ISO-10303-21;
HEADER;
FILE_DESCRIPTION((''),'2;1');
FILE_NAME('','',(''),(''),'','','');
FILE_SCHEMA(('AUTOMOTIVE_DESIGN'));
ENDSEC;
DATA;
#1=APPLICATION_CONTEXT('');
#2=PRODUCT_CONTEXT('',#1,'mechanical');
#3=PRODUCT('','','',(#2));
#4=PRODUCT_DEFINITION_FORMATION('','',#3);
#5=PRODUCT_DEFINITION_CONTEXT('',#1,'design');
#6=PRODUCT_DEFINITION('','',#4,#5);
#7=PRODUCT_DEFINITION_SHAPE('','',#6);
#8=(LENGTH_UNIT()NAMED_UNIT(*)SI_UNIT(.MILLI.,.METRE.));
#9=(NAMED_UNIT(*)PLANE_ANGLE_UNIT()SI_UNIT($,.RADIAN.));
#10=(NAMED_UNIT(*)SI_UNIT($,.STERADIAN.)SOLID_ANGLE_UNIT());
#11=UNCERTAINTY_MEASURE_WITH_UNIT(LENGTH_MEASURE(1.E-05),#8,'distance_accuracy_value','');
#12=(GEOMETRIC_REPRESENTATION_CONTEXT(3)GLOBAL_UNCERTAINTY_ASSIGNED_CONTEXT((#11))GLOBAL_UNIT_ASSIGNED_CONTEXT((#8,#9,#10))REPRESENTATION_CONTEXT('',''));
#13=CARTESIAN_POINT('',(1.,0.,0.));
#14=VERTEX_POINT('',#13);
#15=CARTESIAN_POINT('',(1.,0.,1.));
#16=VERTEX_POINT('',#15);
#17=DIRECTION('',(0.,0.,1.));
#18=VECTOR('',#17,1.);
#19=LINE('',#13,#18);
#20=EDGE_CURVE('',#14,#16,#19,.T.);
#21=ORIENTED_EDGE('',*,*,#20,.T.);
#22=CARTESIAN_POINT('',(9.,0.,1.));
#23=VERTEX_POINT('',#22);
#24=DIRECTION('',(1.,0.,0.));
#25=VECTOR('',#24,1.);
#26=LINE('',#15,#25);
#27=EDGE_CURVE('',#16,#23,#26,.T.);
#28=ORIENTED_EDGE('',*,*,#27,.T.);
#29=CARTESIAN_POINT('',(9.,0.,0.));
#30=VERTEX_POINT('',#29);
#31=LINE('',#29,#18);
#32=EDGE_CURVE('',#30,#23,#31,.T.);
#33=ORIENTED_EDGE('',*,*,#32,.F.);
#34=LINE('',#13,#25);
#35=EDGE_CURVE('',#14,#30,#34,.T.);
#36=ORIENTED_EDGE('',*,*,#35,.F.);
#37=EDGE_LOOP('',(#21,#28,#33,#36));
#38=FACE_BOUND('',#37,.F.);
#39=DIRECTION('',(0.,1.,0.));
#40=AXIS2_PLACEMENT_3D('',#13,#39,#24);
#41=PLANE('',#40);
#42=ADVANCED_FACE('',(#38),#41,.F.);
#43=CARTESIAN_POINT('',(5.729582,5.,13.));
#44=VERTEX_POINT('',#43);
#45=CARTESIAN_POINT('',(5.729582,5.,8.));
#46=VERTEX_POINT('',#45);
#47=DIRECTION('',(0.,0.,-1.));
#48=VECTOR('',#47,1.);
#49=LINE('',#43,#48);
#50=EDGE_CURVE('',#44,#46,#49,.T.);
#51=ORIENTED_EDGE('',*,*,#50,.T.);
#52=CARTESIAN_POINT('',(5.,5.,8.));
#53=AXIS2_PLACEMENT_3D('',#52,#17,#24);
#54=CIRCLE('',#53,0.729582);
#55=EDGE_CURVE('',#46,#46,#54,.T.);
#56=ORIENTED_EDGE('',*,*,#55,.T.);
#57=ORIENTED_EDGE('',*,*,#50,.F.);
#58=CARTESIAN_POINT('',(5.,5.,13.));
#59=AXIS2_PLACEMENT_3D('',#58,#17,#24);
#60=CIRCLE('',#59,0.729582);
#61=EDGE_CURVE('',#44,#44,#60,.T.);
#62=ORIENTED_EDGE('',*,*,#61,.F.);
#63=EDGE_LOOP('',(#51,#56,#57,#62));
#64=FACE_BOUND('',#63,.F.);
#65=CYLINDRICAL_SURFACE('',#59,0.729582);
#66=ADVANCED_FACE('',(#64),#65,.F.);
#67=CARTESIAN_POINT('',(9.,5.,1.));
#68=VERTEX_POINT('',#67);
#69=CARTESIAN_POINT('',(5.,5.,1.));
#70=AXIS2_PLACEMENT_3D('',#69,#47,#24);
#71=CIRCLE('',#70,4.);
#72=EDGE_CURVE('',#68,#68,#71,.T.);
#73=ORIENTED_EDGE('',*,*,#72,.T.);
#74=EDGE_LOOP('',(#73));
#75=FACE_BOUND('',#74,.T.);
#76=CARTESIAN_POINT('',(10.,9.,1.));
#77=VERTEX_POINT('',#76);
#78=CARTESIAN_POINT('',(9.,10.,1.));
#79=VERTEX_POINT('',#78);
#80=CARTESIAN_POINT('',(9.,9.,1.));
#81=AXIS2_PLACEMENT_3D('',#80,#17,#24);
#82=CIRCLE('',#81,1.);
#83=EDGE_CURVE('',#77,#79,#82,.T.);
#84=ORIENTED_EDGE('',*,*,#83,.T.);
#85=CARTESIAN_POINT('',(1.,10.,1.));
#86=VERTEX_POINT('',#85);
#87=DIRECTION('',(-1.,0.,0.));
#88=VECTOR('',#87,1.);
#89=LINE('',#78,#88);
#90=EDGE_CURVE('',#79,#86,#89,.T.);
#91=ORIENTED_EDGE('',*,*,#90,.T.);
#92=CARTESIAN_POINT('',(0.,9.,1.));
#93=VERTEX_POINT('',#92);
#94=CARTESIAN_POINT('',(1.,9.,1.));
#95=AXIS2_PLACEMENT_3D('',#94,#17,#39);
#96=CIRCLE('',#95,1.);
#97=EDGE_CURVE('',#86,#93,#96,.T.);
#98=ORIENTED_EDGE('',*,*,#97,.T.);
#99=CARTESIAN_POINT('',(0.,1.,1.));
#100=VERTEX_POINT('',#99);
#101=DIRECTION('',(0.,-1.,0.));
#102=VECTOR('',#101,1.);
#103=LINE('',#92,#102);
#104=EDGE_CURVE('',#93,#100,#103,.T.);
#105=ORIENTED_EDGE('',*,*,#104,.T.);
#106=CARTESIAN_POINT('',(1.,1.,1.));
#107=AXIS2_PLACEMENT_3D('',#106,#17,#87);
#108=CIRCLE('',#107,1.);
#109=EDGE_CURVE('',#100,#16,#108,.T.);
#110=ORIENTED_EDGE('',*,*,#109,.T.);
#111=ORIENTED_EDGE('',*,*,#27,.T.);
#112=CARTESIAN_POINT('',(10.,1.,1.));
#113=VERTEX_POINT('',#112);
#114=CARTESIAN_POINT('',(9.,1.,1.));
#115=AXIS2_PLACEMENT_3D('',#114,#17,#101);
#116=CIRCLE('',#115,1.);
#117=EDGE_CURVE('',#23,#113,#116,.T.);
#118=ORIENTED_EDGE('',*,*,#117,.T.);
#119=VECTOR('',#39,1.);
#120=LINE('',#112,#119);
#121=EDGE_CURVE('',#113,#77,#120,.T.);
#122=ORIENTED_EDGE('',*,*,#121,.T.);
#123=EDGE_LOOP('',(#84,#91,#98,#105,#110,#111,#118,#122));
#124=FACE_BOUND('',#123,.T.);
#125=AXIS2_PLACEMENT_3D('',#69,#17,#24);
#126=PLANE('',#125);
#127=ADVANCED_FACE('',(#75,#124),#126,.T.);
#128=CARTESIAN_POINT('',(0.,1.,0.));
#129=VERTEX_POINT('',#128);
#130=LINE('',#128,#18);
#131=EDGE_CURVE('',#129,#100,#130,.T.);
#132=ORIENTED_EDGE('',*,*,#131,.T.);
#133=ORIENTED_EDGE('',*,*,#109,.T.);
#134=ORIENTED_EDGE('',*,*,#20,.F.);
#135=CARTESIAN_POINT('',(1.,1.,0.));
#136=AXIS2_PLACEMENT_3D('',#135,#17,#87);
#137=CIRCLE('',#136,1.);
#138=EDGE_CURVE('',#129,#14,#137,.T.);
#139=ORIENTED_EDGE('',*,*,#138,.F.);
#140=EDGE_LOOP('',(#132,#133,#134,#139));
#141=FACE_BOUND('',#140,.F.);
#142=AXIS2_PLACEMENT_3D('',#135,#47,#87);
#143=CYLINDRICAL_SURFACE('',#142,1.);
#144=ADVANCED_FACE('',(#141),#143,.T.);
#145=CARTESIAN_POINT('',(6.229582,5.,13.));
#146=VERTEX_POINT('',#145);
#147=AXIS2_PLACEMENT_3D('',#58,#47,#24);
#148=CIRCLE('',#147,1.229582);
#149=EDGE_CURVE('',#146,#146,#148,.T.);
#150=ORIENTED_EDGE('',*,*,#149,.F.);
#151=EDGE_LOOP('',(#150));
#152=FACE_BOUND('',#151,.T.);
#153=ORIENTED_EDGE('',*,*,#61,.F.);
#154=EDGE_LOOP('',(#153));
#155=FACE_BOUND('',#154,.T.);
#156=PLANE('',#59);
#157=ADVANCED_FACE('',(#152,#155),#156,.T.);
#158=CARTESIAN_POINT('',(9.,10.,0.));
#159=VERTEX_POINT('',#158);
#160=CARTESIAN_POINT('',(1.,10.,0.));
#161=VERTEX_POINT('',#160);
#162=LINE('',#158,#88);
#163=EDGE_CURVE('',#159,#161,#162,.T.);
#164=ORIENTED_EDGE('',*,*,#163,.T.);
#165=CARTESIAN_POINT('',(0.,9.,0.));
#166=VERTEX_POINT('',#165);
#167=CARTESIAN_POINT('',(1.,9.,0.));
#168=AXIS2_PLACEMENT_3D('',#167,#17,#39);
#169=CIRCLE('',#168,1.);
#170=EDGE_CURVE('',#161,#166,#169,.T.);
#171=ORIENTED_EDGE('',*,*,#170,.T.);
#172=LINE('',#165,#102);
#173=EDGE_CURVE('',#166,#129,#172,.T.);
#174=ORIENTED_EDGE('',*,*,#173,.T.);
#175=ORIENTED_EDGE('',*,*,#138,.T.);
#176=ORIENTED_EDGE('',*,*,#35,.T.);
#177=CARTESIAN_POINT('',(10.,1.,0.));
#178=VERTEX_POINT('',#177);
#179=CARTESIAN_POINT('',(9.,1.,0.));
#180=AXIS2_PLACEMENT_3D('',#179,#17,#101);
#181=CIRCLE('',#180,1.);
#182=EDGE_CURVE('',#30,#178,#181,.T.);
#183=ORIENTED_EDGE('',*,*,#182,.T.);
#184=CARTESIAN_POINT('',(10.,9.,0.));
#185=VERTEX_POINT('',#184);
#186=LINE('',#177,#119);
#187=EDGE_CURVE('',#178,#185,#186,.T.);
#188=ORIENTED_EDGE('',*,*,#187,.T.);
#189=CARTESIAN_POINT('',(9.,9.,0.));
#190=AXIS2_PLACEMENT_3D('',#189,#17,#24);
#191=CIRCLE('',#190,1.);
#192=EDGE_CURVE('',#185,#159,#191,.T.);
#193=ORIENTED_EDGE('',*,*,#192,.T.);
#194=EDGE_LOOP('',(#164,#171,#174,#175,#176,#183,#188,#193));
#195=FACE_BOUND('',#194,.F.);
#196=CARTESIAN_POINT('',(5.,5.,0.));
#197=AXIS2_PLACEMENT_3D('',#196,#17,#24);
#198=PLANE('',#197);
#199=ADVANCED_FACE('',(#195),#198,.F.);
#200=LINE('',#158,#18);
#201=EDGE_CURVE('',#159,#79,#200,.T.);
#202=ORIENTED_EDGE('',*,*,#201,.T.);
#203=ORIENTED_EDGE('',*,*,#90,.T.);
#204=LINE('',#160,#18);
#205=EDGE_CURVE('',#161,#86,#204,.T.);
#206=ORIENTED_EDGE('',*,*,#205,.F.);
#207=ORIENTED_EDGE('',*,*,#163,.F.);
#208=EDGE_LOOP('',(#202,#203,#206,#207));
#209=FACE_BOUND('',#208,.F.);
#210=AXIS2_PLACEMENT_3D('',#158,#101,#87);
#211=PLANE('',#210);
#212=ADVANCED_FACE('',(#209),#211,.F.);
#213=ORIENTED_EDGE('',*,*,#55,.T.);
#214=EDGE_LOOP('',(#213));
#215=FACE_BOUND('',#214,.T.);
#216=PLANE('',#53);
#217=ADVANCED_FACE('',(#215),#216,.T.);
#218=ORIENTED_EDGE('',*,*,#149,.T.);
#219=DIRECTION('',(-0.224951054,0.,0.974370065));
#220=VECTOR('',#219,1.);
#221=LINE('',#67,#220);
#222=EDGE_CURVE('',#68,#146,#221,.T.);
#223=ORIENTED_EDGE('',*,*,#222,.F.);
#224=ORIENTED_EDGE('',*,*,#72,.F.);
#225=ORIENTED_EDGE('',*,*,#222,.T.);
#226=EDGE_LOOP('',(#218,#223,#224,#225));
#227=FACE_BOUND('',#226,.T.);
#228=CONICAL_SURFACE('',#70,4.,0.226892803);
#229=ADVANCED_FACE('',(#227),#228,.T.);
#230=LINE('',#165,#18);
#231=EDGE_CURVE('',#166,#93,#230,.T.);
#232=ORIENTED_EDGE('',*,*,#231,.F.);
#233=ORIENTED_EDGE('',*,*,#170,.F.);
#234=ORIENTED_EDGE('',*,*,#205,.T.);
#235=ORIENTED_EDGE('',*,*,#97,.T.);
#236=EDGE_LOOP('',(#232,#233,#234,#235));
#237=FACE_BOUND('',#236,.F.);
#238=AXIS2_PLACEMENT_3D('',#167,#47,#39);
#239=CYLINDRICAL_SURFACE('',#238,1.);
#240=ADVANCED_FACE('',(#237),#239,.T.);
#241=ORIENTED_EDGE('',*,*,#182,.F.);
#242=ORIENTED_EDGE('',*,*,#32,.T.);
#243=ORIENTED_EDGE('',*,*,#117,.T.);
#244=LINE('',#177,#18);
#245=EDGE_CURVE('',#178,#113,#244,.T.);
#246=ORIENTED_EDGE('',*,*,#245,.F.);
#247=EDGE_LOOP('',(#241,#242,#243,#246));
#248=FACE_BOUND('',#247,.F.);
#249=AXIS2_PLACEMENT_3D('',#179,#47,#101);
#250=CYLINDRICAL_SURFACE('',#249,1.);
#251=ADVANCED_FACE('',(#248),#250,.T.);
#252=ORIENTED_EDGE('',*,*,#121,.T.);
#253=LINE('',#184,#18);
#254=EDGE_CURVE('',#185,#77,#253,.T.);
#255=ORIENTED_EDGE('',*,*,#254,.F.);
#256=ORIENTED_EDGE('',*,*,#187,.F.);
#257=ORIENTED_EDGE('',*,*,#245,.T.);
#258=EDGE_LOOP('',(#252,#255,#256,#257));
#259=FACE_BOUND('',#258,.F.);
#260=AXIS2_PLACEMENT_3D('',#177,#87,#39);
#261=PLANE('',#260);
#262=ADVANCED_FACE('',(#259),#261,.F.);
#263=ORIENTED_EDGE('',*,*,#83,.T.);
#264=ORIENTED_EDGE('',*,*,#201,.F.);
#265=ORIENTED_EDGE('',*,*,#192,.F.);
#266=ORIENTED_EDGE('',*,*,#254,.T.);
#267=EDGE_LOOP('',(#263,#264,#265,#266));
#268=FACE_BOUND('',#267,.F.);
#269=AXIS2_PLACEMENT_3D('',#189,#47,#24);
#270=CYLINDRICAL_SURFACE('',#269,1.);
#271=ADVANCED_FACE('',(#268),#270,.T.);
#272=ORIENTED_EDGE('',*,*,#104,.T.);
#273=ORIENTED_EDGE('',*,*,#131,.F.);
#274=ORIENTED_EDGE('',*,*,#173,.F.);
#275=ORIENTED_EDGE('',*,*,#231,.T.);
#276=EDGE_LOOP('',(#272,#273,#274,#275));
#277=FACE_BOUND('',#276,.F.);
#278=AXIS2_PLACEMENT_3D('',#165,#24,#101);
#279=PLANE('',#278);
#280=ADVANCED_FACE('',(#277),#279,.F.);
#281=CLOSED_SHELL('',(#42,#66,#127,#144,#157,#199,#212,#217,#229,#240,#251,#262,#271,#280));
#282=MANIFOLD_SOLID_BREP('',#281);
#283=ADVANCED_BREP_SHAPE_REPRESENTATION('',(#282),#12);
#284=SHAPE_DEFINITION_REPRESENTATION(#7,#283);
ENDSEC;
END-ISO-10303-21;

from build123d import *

# Parameters (mm, degrees)
F1_DEPTH = 1
F2_R     = 4
F3_DEPTH = 12
F3_TAPER = 13
F4_R     = 0.7295817065
F5_DEPTH = 5


with BuildPart() as f1:
    # F0 (on Top) → F1 (new body)
    with BuildSketch(Plane.XY):
        with BuildLine():
            ThreePointArc((0, 1), (0.2928932188, 0.2928932188), (1, 0))
            Line((1, 0), (9, 0))
            ThreePointArc((9, 0), (9.7071067812, 0.2928932188), (10, 1))
            Line((10, 1), (10, 9))
            ThreePointArc((10, 9), (9.7071067812, 9.7071067812), (9, 10))
            Line((9, 10), (1, 10))
            ThreePointArc((1, 10), (0.2928932188, 9.7071067812), (0, 9))
            Line((0, 9), (0, 1))
        make_face()
    extrude(amount=F1_DEPTH)

    # F2 (on face) → F3 (join)
    with BuildSketch(Plane.XY.offset(1)):
        with Locations((5, 5)):
            Circle(F2_R)
    extrude(amount=F3_DEPTH, taper=F3_TAPER)

    # F4 (on face) → F5 (cut)
    with BuildSketch(Plane.XY.offset(13)):
        with Locations((5, 5)):
            Circle(F4_R)
    extrude(amount=-F5_DEPTH, mode=Mode.SUBTRACT)


solid = f1.part
